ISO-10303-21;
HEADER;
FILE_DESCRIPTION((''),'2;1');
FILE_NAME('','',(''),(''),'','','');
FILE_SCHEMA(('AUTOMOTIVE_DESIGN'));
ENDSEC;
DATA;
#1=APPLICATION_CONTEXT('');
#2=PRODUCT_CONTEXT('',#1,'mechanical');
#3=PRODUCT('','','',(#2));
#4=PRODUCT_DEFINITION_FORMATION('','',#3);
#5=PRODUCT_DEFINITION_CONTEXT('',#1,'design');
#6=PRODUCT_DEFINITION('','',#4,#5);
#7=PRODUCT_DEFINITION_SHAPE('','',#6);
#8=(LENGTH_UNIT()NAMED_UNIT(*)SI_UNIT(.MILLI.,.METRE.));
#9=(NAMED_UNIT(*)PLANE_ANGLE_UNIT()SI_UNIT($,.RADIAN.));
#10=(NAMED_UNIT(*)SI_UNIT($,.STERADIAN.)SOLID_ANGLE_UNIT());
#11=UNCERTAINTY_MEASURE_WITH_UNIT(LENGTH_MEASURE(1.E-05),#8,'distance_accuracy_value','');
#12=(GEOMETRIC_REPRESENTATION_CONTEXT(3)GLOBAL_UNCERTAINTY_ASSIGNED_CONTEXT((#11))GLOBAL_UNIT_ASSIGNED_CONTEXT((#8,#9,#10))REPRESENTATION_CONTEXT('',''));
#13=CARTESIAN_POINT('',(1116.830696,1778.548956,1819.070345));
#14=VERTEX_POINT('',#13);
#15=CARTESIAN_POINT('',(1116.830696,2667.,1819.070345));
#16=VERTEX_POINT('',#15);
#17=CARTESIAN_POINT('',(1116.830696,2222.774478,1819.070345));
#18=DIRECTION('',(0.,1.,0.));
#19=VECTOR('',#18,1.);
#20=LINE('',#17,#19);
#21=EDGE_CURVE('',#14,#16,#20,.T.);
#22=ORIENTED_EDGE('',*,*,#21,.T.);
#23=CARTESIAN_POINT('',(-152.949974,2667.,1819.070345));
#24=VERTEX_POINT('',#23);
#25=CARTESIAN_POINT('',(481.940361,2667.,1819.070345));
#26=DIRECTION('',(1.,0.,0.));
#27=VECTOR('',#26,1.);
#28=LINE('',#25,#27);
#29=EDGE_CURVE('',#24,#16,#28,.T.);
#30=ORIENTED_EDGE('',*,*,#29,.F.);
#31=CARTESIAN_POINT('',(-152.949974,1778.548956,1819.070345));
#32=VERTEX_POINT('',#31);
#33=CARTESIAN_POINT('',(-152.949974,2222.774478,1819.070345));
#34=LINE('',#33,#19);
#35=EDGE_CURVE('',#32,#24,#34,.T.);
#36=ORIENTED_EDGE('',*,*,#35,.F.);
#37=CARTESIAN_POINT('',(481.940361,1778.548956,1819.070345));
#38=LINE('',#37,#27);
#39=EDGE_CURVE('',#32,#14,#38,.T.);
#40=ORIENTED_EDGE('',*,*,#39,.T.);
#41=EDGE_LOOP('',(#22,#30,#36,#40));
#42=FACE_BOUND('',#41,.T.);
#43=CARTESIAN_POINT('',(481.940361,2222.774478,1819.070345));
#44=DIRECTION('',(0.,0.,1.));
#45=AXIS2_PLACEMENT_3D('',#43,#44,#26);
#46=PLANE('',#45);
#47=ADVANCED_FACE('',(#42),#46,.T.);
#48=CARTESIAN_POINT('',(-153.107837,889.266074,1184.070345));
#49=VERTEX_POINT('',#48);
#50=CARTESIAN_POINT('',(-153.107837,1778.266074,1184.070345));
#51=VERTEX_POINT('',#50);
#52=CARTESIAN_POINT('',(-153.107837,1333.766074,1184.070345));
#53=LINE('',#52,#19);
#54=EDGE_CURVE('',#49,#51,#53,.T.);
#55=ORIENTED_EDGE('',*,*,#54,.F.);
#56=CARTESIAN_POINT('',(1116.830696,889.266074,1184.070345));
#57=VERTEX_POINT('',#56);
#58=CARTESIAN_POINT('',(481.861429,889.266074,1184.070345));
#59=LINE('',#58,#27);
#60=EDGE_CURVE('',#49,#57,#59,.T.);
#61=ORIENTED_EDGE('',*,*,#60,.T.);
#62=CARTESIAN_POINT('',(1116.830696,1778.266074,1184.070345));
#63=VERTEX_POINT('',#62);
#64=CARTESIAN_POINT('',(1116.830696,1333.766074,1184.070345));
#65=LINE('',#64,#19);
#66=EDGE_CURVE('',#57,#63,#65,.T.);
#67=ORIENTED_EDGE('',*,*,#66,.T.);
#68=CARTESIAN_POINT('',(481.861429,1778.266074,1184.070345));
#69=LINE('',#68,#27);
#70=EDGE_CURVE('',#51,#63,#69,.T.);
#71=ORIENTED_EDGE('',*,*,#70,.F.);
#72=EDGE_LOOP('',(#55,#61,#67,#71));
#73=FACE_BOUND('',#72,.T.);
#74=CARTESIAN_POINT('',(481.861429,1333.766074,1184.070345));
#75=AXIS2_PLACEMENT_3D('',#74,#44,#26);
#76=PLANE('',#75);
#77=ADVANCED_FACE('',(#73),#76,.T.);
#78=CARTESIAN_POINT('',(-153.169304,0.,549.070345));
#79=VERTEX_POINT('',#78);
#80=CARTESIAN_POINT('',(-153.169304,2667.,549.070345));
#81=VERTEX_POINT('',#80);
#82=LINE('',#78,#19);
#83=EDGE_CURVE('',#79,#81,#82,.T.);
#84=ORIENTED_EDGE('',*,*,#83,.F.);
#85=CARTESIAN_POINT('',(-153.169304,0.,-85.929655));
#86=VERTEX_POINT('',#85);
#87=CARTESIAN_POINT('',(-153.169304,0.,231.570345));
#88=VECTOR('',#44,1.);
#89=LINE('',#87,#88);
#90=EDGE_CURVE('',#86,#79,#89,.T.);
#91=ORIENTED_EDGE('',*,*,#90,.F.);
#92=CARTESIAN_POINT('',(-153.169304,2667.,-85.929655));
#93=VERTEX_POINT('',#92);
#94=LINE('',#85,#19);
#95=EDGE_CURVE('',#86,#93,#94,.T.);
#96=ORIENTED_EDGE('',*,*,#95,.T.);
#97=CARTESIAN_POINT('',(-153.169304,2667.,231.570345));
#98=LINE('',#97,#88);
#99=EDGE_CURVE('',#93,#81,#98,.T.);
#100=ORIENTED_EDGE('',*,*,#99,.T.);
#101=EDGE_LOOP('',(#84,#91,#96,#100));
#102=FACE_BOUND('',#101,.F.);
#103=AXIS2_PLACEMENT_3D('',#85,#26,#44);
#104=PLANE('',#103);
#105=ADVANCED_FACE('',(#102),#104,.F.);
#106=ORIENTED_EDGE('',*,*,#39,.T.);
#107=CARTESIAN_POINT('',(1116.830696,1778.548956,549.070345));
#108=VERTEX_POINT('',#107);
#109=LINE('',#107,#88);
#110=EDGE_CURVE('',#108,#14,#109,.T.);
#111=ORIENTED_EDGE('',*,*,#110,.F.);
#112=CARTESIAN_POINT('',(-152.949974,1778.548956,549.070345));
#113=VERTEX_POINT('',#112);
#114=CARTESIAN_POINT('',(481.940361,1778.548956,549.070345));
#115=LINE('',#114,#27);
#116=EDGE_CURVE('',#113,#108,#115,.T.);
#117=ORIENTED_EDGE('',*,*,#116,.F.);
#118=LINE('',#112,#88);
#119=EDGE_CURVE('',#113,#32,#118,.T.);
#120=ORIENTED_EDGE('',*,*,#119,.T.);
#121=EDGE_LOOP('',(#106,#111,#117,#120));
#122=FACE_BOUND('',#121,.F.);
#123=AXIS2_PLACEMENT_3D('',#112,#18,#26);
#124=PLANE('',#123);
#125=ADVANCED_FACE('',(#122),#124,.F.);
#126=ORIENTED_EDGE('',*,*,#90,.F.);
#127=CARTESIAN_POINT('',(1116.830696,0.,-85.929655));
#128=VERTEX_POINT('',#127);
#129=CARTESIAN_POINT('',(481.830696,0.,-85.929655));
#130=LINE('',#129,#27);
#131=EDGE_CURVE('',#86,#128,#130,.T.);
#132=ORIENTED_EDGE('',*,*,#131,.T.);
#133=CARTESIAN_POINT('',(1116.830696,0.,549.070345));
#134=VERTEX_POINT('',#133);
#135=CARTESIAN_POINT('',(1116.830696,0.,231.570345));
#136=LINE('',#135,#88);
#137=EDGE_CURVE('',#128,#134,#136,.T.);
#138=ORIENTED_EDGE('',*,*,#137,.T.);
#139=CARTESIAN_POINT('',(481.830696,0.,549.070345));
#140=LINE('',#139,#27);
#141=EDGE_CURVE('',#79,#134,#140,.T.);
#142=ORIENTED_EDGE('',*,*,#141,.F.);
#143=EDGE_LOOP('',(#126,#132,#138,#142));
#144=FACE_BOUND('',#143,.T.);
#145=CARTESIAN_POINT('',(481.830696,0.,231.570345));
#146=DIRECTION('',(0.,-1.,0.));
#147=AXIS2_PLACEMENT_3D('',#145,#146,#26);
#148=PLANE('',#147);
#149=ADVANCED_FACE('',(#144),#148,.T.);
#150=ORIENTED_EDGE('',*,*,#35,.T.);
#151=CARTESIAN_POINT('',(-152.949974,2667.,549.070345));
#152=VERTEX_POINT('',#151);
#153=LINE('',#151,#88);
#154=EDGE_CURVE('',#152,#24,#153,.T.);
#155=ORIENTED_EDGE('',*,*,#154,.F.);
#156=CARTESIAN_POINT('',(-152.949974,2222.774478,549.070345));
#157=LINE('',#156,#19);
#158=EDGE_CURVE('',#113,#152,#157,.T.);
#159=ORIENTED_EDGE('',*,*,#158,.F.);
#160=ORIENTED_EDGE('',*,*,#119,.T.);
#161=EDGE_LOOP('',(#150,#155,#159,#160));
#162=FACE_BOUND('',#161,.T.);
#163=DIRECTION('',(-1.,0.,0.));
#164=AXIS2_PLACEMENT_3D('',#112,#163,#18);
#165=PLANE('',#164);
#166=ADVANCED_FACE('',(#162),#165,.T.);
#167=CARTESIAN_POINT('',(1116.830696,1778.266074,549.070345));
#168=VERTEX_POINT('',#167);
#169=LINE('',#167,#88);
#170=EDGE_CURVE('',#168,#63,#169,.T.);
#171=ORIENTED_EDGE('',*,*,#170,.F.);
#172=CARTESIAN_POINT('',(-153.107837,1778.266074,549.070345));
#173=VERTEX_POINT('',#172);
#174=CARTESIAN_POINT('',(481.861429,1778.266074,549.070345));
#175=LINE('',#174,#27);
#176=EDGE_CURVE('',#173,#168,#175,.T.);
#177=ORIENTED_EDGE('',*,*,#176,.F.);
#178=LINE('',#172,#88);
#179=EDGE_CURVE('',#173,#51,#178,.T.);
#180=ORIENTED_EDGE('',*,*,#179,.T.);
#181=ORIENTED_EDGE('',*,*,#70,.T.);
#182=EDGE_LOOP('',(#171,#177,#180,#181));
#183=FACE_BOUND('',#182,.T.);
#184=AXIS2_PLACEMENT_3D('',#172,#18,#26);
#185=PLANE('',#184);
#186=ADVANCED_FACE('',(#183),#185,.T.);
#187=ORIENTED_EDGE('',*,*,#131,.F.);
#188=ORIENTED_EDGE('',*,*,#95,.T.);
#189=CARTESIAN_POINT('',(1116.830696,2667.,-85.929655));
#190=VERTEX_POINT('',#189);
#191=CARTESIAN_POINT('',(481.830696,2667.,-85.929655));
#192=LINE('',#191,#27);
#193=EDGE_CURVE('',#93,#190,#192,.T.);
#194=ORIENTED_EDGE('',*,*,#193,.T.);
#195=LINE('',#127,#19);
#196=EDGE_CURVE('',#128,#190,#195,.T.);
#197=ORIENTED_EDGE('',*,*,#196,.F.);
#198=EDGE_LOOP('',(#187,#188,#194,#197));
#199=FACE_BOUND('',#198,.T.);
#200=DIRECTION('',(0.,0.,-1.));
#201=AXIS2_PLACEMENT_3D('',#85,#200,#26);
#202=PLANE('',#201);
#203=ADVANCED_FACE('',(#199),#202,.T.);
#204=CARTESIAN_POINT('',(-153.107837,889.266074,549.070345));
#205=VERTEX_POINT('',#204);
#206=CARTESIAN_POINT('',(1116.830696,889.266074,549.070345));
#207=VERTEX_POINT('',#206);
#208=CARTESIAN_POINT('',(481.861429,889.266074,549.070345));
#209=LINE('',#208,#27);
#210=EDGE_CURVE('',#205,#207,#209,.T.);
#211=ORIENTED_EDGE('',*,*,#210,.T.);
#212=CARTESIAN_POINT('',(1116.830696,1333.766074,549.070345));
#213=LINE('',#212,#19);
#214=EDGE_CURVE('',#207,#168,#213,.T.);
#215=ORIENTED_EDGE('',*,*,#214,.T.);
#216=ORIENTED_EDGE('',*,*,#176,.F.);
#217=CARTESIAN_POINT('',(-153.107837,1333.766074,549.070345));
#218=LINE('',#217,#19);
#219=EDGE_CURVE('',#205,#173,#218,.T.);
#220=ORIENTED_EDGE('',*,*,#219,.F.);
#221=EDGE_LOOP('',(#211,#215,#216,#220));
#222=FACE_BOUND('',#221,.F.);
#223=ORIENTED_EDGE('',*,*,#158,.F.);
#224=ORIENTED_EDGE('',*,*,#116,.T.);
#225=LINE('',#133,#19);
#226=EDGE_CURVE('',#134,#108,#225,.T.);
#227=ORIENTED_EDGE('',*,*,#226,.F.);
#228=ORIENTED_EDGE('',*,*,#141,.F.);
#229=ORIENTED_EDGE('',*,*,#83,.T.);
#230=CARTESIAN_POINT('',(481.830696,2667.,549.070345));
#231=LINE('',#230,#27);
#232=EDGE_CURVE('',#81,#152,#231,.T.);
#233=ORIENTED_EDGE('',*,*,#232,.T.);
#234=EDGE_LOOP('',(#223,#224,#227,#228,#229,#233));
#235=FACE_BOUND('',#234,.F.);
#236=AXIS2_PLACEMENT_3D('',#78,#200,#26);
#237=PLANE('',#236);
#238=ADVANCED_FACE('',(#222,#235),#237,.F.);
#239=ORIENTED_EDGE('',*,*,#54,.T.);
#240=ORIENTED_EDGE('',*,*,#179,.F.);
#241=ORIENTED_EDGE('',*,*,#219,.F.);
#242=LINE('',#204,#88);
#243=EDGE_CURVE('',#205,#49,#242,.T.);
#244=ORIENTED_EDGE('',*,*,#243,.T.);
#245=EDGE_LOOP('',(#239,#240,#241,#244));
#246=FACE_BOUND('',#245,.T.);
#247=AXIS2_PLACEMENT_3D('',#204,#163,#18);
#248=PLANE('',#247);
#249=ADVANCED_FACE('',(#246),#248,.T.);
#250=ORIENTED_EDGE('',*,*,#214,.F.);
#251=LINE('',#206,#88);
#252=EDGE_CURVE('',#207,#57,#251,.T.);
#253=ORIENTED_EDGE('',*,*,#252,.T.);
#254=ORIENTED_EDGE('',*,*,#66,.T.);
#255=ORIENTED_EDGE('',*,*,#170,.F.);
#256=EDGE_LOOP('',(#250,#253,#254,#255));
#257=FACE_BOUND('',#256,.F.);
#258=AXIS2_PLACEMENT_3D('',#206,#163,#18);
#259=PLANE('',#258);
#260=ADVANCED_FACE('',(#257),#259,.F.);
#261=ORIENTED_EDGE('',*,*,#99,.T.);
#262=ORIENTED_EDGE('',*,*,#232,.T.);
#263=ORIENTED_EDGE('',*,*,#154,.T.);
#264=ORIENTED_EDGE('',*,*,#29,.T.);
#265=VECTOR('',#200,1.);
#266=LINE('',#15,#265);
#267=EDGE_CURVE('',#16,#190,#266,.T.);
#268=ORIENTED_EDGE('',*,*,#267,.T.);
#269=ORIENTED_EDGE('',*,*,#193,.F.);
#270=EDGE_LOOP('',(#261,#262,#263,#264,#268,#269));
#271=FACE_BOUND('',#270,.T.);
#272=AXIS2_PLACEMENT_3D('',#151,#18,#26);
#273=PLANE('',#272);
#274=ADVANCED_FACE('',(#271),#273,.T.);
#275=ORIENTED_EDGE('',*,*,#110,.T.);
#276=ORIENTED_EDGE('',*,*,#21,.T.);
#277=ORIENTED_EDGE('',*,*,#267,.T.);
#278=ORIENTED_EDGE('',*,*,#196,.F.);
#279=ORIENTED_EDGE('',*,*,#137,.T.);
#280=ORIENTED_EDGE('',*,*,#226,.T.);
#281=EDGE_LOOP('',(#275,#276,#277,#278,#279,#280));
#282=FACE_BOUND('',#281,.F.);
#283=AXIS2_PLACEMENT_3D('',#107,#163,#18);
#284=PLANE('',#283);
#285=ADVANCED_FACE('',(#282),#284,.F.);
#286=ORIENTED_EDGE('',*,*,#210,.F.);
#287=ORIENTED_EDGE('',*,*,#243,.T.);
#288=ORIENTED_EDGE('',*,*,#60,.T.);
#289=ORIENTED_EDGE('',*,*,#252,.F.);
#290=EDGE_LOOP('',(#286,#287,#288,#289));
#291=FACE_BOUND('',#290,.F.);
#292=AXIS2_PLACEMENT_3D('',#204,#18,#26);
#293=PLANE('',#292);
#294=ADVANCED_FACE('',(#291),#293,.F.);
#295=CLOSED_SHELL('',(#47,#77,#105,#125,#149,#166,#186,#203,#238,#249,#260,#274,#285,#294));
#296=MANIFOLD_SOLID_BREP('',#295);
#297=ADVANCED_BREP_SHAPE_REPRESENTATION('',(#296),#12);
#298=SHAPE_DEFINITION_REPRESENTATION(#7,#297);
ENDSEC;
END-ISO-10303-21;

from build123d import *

# Parameters (mm, degrees)
F0_W     = 1270
F0_H     = 635
F1_DEPTH = 2667
F3_W     = 1269.938533
F3_H     = 889
F4_DEPTH = 635
F5_W     = 1269.78067
F5_H     = 888.451044
F6_DEPTH = 1270


with BuildPart() as f1:
    # F0 (on Front) → F1 (new body)
    with BuildSketch(Plane.XZ):
        with Locations((481.830696, 231.570345)):
            Rectangle(F0_W, F0_H)
    extrude(amount=-F1_DEPTH)

    # F3 (on face) → F4 (join)
    with BuildSketch(Plane.XY.offset(549.070345)):
        with Locations((481.861429, 1333.766074)):
            Rectangle(F3_W, F3_H)
    extrude(amount=F4_DEPTH)

    # F5 (on face) → F6 (join)
    with BuildSketch(Plane.XY.offset(549.070345)):
        with Locations((481.940361, 2222.774478)):
            Rectangle(F5_W, F5_H)
    extrude(amount=F6_DEPTH)


solid = f1.part
